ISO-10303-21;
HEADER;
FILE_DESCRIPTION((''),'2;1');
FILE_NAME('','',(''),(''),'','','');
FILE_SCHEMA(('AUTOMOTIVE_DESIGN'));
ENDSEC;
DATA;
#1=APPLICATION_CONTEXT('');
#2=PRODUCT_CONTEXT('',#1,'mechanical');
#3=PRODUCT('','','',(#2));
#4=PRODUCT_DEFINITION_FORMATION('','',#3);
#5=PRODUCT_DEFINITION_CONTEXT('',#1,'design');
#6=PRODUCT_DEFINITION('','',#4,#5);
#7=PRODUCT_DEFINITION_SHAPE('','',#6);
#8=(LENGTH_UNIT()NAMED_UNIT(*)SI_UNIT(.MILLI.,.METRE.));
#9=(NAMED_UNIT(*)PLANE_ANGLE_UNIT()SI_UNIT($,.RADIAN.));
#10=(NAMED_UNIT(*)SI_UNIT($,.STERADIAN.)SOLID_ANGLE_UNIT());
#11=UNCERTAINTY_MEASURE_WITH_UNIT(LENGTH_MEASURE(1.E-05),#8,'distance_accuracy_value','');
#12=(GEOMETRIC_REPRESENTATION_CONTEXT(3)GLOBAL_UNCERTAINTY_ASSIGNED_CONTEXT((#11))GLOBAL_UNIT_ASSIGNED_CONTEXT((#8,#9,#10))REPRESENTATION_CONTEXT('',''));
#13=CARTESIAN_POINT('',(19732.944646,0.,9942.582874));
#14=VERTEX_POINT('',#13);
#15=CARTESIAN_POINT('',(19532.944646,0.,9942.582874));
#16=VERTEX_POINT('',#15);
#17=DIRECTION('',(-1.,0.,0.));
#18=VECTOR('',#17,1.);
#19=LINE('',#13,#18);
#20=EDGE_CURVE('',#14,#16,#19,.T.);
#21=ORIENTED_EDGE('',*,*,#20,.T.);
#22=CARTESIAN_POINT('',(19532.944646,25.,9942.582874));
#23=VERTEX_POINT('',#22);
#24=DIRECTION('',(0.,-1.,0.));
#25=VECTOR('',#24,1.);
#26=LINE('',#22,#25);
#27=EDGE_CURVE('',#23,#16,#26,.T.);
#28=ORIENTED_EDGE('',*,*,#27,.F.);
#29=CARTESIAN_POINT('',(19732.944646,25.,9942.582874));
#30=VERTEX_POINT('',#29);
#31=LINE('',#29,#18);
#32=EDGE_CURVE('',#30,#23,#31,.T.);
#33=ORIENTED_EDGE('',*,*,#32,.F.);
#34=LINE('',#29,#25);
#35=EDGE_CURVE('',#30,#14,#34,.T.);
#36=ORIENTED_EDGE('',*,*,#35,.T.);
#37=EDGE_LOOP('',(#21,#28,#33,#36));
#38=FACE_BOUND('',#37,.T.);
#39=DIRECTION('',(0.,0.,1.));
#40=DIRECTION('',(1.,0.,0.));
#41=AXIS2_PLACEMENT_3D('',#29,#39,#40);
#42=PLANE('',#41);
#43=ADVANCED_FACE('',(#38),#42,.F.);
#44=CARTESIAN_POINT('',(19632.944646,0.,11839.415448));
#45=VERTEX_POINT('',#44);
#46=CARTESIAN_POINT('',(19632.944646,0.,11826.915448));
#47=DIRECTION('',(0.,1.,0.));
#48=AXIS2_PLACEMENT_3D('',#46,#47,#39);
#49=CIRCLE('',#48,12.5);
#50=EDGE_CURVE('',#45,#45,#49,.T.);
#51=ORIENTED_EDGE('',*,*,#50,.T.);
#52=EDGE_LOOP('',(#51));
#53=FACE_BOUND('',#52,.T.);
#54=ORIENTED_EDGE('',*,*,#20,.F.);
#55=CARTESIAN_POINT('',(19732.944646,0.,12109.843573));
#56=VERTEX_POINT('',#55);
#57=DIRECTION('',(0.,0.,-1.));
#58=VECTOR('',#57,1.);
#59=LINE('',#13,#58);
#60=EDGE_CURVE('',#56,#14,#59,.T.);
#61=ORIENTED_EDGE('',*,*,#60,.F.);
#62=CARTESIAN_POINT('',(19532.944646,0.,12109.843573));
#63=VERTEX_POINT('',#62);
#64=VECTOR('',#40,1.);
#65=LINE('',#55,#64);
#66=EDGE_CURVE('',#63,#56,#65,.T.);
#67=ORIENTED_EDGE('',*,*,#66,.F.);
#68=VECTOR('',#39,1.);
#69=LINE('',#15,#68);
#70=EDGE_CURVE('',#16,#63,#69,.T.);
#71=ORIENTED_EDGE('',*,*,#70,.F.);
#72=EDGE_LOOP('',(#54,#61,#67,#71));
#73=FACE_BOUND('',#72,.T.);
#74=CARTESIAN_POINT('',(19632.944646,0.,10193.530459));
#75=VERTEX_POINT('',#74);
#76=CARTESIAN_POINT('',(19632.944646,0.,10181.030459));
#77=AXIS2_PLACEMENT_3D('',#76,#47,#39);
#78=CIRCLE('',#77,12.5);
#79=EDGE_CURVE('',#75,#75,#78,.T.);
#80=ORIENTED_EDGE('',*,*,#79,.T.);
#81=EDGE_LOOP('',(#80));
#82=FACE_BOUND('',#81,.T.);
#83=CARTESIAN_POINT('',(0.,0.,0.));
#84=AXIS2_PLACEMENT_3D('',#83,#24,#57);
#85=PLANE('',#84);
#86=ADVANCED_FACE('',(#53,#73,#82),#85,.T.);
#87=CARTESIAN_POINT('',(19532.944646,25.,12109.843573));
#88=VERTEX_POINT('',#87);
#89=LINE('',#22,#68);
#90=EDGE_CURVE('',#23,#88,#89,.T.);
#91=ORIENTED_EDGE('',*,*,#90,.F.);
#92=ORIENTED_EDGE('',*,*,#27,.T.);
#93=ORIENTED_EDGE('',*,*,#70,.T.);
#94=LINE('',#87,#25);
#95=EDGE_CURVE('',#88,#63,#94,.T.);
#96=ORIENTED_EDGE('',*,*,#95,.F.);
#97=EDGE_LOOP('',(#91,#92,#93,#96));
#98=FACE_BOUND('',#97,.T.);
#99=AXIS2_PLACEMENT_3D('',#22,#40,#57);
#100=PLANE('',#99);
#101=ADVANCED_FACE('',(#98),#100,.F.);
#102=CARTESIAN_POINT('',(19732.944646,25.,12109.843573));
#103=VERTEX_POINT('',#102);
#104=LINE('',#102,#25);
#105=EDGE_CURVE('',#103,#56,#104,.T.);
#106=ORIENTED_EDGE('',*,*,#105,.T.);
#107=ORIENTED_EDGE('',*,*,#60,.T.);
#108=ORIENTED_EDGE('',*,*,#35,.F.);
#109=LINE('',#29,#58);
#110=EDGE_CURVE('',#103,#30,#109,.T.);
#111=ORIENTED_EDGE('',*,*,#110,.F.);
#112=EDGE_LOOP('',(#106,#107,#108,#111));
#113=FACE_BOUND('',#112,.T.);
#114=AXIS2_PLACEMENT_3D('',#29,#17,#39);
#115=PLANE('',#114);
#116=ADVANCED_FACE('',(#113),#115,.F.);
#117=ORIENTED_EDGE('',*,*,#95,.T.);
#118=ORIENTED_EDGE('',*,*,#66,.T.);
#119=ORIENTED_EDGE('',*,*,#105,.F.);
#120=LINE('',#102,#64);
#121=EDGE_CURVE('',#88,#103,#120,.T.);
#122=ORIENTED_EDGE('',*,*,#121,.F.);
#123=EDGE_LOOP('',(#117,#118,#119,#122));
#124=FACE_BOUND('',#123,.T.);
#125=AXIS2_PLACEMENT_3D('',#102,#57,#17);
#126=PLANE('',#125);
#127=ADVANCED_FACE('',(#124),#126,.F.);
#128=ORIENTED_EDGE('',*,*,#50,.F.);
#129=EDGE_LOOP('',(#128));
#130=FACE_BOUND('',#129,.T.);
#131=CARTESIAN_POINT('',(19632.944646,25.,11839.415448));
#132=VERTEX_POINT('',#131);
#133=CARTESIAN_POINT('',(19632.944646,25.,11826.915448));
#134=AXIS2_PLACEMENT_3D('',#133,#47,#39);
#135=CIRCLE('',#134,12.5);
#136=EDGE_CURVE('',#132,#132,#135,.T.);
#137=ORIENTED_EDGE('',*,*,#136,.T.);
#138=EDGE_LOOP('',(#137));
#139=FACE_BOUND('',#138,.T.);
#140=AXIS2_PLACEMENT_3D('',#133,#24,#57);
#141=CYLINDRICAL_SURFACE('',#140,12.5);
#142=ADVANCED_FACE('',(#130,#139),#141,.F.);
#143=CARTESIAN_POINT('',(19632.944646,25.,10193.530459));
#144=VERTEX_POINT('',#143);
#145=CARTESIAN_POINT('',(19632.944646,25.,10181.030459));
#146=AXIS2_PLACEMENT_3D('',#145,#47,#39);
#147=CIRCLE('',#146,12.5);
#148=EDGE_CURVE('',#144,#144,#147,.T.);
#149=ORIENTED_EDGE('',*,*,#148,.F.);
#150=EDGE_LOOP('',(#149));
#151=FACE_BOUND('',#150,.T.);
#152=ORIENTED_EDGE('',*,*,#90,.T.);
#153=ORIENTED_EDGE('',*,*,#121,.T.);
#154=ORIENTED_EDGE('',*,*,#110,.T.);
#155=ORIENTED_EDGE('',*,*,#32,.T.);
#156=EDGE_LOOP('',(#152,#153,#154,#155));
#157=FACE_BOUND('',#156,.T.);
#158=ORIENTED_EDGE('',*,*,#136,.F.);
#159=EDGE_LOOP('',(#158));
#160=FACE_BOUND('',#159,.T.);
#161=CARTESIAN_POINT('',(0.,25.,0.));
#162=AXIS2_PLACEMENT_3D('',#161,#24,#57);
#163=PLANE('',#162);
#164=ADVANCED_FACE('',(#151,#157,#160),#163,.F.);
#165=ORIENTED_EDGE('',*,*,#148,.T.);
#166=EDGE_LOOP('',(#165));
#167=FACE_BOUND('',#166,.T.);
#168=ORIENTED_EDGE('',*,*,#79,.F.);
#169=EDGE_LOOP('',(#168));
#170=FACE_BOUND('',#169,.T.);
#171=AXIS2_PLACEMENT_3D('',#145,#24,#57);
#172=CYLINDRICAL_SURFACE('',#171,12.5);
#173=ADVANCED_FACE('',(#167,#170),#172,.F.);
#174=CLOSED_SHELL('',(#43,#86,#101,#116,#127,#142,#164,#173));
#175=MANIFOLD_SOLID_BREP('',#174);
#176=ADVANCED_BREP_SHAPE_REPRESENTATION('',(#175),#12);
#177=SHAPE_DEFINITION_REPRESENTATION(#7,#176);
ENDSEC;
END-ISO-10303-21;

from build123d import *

# Parameters (mm, degrees)
SKETCH4_W             = 200
SKETCH4_H             = 2933.573874127
SKETCH4_R             = 12.5
BOSS_EXTRUDE1_DEPTH   = 25
SKETCH4_H_2           = 2891.000919938
BOSS_EXTRUDE1_2_DEPTH = 25
SKETCH4_H_3           = 2656.8496719
BOSS_EXTRUDE1_3_DEPTH = 25
SKETCH4_H_4           = 2167.26069873
BOSS_EXTRUDE1_4_DEPTH = 25
SKETCH4_H_5           = 1693.636583381
BOSS_EXTRUDE1_5_DEPTH = 25
SKETCH5_W             = 1339.509446366
SKETCH5_H             = 4935.034802403
SKETCH5_W_2           = 4846.909180931
SKETCH5_H_2           = 7014.799469129
SKETCH5_W_3           = 493.50348024
SKETCH5_H_3           = 881.256214715
CUT_EXTRUDE1_DEPTH    = 26


with BuildPart() as part:
    # Sketch4 → Boss-Extrude1 (new body)
    with BuildSketch(Plane(origin=(0, 0, 0), x_dir=(1, 0, 0), z_dir=(0, 1, 0))):
        with Locations((23132.944645813, -11409.369811035)):
            Rectangle(SKETCH4_W, SKETCH4_H)
        with Locations((23132.944645813, -12678.089615367)):
            Circle(SKETCH4_R, mode=Mode.SUBTRACT)
        with Locations((23132.944645813, -10181.030459334)):
            Circle(SKETCH4_R, mode=Mode.SUBTRACT)
    extrude(amount=BOSS_EXTRUDE1_DEPTH)


with BuildPart() as body_2:
    # Sketch4 → Boss-Extrude1 2 (new body)
    with BuildSketch(Plane(origin=(0, 0, 0), x_dir=(1, 0, 0), z_dir=(0, 1, 0))):
        with Locations((22032.944645813, -11388.083333941)):
            Rectangle(SKETCH4_W, SKETCH4_H_2)
        with Locations((22032.944645813, -12621.228285175)):
            Circle(SKETCH4_R, mode=Mode.SUBTRACT)
        with Locations((22032.944645813, -10181.030459334)):
            Circle(SKETCH4_R, mode=Mode.SUBTRACT)
    extrude(amount=BOSS_EXTRUDE1_2_DEPTH)


with BuildPart() as body_3:
    # Sketch4 → Boss-Extrude1 3 (new body)
    with BuildSketch(Plane(origin=(0, 0, 0), x_dir=(1, 0, 0), z_dir=(0, 1, 0))):
        with Locations((20832.944645813, -11271.007709922)):
            Rectangle(SKETCH4_W, SKETCH4_H_3)
        with Locations((20832.944645813, -12348.754240871)):
            Circle(SKETCH4_R, mode=Mode.SUBTRACT)
        with Locations((20832.944645813, -10181.030459334)):
            Circle(SKETCH4_R, mode=Mode.SUBTRACT)
    extrude(amount=BOSS_EXTRUDE1_3_DEPTH)


with BuildPart() as body_4:
    # Sketch4 → Boss-Extrude1 4 (new body)
    with BuildSketch(Plane(origin=(0, 0, 0), x_dir=(1, 0, 0), z_dir=(0, 1, 0))):
        with Locations((19632.944645813, -11026.213223337)):
            Rectangle(SKETCH4_W, SKETCH4_H_4)
        with Locations((19632.944645813, -11826.915448153)):
            Circle(SKETCH4_R, mode=Mode.SUBTRACT)
        with Locations((19632.944645813, -10181.030459334)):
            Circle(SKETCH4_R, mode=Mode.SUBTRACT)
    extrude(amount=BOSS_EXTRUDE1_4_DEPTH)


with BuildPart() as body_5:
    # Sketch4 → Boss-Extrude1 5 (new body)
    with BuildSketch(Plane(origin=(0, 0, 0), x_dir=(1, 0, 0), z_dir=(0, 1, 0))):
        with Locations((18802.944645813, -10789.401165663)):
            Rectangle(SKETCH4_W, SKETCH4_H_5)
        with Locations((18802.944645813, -11283.669778774)):
            Circle(SKETCH4_R, mode=Mode.SUBTRACT)
        with Locations((18802.944645813, -10181.030459334)):
            Circle(SKETCH4_R, mode=Mode.SUBTRACT)
    extrude(amount=BOSS_EXTRUDE1_5_DEPTH)


with BuildPart() as cut_extrude1_tool:
    # Sketch5 → Cut-Extrude1 (new body, through all)
    with BuildSketch(Plane(origin=(0, 0, 0), x_dir=(1, 0, 0), z_dir=(0, 1, 0))):
        with Locations((18465.176996023, -10818.928147177)):
            Rectangle(SKETCH5_W, SKETCH5_H)
        with Locations((22474.892772976, -10995.17939012)):
            Rectangle(SKETCH5_W_2, SKETCH5_H_2)
        with Locations((20474.441165573, -13427.446542733)):
            Rectangle(SKETCH5_W_3, SKETCH5_H_3, mode=Mode.SUBTRACT)
    extrude(amount=CUT_EXTRUDE1_DEPTH)


with BuildPart() as part_1:
    add(part.part)

    # Cut-Extrude1: cut by cut_extrude1_tool
    add(cut_extrude1_tool.part, mode=Mode.SUBTRACT)


with BuildPart() as body_2_1:
    add(body_2.part)

    # Cut-Extrude1: cut by cut_extrude1_tool
    add(cut_extrude1_tool.part, mode=Mode.SUBTRACT)


with BuildPart() as body_3_1:
    add(body_3.part)

    # Cut-Extrude1: cut by cut_extrude1_tool
    add(cut_extrude1_tool.part, mode=Mode.SUBTRACT)


with BuildPart() as body_5_1:
    add(body_5.part)

    # Cut-Extrude1: cut by cut_extrude1_tool
    add(cut_extrude1_tool.part, mode=Mode.SUBTRACT)


solid = body_4.part
